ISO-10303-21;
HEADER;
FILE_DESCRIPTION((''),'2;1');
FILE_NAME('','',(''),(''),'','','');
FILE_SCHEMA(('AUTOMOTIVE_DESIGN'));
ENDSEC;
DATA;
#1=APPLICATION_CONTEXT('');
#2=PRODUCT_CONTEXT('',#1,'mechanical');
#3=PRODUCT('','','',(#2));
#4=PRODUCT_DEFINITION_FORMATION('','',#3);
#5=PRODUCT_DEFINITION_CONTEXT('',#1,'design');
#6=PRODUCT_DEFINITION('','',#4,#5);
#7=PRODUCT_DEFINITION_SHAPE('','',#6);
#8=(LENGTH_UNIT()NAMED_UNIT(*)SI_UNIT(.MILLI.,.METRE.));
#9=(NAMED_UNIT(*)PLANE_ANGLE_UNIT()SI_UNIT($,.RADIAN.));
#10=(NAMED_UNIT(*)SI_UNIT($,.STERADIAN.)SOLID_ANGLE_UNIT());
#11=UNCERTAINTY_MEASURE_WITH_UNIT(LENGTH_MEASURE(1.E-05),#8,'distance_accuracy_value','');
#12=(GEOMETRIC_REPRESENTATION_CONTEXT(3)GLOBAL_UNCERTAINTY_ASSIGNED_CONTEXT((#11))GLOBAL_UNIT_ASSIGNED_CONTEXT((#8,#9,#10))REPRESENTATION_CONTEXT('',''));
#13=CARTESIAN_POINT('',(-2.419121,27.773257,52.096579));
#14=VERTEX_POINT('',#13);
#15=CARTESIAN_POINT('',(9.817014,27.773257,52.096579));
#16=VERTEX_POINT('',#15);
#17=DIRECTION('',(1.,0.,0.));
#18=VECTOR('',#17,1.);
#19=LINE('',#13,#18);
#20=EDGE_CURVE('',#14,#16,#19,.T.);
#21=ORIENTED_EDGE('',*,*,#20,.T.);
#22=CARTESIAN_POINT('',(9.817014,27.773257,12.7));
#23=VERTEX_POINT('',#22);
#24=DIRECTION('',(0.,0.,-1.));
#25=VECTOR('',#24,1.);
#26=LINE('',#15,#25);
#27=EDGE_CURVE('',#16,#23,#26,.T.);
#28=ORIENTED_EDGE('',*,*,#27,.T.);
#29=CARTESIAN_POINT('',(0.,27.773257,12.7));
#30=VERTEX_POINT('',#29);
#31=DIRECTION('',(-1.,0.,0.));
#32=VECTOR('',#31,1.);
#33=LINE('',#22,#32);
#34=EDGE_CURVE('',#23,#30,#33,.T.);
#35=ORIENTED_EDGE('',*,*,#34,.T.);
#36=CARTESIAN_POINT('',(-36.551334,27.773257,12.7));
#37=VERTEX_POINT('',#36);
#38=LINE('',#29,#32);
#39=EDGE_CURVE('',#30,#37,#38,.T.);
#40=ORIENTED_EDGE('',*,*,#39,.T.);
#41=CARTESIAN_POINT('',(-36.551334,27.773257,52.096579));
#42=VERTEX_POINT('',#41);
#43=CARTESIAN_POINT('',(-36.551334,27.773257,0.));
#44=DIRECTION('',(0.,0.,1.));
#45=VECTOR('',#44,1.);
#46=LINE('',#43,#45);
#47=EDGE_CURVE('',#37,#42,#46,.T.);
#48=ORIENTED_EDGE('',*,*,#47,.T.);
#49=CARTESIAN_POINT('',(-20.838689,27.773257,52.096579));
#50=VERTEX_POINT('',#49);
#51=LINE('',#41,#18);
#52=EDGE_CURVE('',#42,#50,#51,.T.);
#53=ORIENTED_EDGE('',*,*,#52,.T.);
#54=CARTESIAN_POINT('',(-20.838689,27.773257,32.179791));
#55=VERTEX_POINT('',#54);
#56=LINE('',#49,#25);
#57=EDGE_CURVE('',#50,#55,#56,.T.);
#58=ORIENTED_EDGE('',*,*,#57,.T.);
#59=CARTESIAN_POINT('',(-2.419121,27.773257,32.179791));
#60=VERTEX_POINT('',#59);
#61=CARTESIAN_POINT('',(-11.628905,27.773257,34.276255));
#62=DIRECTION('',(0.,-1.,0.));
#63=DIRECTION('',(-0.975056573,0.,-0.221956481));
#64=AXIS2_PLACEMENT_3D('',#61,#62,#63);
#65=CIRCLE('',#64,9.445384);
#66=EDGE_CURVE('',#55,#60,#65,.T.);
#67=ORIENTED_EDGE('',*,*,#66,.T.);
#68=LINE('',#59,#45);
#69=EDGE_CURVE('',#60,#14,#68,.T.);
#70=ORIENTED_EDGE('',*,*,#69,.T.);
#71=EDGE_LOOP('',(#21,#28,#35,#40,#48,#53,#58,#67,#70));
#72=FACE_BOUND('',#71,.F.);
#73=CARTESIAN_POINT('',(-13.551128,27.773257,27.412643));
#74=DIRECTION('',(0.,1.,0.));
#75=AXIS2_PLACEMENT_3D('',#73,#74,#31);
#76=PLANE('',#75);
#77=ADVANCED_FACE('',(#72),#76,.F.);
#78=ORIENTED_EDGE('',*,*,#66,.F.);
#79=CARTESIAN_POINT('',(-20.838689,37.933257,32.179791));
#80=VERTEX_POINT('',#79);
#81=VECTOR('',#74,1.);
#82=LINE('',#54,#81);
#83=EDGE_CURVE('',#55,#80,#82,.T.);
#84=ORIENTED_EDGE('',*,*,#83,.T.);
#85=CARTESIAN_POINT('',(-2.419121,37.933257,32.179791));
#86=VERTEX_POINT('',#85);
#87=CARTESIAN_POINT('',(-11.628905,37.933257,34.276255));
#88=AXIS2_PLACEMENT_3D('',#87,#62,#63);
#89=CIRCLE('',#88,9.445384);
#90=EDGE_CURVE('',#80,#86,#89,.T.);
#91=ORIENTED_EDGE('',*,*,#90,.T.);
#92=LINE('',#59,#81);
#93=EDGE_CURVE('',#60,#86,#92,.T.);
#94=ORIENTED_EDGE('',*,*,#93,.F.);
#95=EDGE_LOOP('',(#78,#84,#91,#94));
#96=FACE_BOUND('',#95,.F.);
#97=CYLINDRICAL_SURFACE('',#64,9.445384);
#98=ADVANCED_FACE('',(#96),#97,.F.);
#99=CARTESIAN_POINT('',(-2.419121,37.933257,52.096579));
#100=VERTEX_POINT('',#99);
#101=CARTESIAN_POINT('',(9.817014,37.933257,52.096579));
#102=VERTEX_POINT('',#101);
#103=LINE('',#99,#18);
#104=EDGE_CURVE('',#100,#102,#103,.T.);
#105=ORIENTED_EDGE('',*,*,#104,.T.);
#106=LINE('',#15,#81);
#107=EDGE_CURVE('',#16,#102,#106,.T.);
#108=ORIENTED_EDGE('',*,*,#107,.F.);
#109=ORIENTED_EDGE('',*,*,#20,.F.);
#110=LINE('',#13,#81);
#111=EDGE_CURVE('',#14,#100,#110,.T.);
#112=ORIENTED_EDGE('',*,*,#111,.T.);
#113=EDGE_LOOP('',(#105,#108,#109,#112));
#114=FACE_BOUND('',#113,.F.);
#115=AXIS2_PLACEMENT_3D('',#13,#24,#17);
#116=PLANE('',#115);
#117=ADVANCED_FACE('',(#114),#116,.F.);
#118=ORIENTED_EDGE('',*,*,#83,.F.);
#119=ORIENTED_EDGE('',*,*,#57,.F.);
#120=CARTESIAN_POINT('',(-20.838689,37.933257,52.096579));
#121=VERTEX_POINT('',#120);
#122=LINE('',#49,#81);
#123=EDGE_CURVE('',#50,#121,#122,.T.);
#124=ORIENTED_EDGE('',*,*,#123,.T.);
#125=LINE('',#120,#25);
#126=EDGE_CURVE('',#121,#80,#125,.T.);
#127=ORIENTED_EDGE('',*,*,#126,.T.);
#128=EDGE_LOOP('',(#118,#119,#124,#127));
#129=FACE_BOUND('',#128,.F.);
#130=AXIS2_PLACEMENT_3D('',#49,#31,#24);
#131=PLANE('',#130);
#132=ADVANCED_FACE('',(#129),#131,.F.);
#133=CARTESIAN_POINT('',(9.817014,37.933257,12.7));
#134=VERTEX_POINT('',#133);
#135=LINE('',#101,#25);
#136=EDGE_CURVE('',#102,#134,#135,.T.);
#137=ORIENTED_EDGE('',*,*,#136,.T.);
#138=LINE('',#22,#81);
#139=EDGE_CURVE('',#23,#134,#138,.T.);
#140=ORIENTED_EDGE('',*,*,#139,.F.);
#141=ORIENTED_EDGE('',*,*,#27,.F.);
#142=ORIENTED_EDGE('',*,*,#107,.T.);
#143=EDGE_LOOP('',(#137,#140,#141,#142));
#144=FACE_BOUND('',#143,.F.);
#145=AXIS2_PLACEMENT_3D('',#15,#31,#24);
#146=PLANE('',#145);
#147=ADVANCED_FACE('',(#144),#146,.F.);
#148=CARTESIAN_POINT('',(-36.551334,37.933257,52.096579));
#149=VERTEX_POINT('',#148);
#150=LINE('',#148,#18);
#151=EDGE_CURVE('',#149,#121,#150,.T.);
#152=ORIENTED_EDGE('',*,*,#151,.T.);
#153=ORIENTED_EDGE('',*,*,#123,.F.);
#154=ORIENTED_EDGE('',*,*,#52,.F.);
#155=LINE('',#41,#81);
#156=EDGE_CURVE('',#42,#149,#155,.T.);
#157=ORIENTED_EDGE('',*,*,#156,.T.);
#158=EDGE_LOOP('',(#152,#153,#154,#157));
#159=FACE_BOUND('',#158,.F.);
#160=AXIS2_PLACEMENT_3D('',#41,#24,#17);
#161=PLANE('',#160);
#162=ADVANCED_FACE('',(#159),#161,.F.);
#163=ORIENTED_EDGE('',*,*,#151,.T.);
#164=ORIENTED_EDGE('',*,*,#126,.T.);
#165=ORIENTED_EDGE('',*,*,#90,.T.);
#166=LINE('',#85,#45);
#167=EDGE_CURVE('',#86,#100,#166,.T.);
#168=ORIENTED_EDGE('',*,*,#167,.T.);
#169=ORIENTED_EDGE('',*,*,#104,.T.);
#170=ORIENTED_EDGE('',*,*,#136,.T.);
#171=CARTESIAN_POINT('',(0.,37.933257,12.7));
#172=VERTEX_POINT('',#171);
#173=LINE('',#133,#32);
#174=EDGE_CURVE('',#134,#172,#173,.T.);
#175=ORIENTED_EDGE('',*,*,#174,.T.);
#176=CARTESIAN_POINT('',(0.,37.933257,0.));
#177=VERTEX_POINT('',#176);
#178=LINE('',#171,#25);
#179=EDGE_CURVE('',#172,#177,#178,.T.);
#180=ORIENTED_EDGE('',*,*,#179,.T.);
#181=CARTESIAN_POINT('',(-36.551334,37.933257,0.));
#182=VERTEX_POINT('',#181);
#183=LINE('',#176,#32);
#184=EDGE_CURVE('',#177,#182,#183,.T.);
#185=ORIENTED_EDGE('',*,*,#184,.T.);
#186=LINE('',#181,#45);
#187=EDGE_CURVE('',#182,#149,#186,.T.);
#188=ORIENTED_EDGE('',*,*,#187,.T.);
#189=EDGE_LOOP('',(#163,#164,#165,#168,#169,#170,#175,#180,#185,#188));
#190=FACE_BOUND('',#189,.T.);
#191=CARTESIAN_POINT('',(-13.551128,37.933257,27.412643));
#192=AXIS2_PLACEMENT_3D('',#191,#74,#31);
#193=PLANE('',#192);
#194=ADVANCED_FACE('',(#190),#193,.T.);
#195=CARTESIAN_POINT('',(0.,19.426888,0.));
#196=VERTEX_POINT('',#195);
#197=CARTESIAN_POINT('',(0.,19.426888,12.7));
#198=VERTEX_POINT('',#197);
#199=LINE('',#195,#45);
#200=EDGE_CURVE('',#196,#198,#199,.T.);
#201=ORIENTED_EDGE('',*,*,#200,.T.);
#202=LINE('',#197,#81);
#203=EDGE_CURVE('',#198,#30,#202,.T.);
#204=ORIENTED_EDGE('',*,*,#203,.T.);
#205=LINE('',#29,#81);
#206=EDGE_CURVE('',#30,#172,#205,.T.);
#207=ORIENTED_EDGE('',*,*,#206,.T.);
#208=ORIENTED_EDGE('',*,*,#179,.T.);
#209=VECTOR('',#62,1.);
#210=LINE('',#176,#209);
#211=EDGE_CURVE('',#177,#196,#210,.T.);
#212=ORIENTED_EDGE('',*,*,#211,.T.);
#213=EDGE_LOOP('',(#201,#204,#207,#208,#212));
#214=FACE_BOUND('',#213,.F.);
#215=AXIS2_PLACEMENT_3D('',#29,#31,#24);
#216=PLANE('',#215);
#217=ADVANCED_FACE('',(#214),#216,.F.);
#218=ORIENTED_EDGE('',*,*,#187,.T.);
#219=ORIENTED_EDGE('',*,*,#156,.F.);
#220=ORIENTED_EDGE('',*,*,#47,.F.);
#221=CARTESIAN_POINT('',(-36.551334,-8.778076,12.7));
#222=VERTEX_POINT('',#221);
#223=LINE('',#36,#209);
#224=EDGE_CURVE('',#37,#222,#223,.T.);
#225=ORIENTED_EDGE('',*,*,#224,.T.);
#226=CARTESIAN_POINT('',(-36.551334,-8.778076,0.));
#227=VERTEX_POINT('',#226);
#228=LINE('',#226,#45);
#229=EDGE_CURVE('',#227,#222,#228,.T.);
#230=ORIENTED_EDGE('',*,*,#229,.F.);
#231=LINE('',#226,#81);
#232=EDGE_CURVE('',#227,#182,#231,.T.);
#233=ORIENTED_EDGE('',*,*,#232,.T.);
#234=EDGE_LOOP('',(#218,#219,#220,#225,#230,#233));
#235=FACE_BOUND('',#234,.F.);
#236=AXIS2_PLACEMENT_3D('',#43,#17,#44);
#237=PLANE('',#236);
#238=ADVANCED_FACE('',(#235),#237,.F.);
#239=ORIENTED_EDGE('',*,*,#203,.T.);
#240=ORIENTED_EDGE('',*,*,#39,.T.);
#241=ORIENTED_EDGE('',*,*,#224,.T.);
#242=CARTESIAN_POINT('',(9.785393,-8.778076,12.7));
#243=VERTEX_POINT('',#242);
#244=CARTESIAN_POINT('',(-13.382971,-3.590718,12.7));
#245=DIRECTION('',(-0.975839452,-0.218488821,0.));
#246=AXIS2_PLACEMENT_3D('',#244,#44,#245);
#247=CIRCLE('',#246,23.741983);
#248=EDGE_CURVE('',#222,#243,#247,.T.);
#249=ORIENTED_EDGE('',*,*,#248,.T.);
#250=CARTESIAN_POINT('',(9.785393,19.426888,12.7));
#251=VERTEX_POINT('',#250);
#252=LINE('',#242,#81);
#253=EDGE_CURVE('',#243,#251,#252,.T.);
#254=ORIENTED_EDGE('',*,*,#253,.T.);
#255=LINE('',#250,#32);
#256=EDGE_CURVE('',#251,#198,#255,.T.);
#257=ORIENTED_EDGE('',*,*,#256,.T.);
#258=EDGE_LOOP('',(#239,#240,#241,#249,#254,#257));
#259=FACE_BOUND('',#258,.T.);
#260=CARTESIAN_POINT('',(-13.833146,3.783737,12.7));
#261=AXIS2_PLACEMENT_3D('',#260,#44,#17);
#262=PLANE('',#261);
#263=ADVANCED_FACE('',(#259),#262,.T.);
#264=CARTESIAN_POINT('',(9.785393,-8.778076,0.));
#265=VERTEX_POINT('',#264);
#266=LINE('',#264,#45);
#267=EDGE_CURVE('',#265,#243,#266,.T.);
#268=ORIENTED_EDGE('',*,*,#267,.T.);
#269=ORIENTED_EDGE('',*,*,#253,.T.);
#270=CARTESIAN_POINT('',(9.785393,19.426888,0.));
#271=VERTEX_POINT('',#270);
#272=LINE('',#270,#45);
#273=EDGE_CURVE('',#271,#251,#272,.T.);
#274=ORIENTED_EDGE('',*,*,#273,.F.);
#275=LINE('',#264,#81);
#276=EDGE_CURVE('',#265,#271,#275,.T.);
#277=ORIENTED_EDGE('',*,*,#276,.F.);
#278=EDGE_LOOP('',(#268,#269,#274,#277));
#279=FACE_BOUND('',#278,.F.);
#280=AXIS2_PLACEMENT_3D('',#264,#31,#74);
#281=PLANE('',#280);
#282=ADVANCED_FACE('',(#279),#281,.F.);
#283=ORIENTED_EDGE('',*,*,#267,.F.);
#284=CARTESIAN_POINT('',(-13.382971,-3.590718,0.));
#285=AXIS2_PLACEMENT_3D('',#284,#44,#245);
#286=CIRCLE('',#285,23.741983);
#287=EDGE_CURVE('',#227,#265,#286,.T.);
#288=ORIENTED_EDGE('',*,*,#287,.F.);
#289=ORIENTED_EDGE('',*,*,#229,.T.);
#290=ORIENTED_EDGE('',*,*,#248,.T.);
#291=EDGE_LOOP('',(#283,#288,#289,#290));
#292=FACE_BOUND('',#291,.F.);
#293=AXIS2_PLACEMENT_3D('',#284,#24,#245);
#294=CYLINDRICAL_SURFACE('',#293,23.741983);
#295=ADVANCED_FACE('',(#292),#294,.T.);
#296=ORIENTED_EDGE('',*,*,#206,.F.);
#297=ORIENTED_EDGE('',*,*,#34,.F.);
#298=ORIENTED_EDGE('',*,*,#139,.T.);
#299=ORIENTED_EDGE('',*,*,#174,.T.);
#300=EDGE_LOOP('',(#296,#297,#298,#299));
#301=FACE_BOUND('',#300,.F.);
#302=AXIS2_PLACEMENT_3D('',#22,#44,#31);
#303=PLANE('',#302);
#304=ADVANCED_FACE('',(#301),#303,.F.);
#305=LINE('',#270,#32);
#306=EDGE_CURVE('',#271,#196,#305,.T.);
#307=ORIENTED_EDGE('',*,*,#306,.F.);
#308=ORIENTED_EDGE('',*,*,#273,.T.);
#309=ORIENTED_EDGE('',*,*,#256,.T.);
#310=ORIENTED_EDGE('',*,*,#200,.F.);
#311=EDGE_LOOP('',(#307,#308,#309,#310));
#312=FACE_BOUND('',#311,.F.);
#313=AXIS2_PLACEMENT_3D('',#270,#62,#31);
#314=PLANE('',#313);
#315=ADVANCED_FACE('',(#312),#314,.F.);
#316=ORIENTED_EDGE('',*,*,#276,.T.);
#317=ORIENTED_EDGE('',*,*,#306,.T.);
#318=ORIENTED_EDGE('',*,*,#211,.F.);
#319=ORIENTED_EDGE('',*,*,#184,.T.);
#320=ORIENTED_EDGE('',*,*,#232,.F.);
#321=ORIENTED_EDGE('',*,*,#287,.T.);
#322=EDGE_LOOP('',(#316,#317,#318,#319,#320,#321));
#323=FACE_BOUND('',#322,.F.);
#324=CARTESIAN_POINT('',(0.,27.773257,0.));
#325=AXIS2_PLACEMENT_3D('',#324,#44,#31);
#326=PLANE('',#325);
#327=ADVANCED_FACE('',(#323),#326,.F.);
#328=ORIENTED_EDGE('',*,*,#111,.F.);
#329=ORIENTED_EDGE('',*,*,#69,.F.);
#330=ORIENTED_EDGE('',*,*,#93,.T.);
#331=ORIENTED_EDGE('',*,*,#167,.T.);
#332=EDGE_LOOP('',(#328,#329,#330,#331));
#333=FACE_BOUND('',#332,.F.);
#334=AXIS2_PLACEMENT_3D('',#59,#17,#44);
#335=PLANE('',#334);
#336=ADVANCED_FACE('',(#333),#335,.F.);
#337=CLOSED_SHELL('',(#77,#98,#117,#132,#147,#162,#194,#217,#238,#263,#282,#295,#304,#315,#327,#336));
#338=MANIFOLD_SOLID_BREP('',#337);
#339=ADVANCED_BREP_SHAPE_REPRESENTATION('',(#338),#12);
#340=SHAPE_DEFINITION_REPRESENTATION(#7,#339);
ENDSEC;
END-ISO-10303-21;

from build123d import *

# Parameters (mm, degrees)
F1_DEPTH = 12.7
F3_DEPTH = 10.16


with BuildPart() as f1:
    # F0 (on Top) → F1 (new body)
    with BuildSketch(Plane.XY):
        with BuildLine():
            Line((0, 27.773257), (-36.551334, 27.773257))
            Line((-36.551334, 27.773257), (-36.551334, -8.778076))
            ThreePointArc((-36.551334, -8.778076), (-13.38297, -27.332701), (9.785393, -8.778076))
            Line((9.785393, -8.778076), (9.785393, 19.426888))
            Line((9.785393, 19.426888), (0, 19.426888))
            Line((0, 19.426888), (0, 27.773257))
        make_face()
    extrude(amount=F1_DEPTH)

    # F2 (on face) → F3 (join)
    with BuildSketch(Plane(origin=(0, 27.773257, 0), x_dir=(-1, 0, 0), z_dir=(0, 1, 0))):
        with BuildLine():
            Line((0, 0), (36.551334, 0))
            Line((36.551334, 0), (36.551334, 52.096579))
            Line((36.551334, 52.096579), (20.838689, 52.096579))
            Line((20.838689, 52.096579), (20.838689, 32.179791))
            ThreePointArc((20.838689, 32.179791), (11.628905, 24.830871), (2.419121, 32.179791))
            Line((2.419121, 32.179791), (2.419121, 52.096579))
            Line((2.419121, 52.096579), (-9.817014, 52.096579))
            Line((-9.817014, 52.096579), (-9.817014, 12.7))
            Line((-9.817014, 12.7), (0, 12.7))
            Line((0, 12.7), (0, 0))
        make_face()
    extrude(amount=F3_DEPTH)


solid = f1.part
